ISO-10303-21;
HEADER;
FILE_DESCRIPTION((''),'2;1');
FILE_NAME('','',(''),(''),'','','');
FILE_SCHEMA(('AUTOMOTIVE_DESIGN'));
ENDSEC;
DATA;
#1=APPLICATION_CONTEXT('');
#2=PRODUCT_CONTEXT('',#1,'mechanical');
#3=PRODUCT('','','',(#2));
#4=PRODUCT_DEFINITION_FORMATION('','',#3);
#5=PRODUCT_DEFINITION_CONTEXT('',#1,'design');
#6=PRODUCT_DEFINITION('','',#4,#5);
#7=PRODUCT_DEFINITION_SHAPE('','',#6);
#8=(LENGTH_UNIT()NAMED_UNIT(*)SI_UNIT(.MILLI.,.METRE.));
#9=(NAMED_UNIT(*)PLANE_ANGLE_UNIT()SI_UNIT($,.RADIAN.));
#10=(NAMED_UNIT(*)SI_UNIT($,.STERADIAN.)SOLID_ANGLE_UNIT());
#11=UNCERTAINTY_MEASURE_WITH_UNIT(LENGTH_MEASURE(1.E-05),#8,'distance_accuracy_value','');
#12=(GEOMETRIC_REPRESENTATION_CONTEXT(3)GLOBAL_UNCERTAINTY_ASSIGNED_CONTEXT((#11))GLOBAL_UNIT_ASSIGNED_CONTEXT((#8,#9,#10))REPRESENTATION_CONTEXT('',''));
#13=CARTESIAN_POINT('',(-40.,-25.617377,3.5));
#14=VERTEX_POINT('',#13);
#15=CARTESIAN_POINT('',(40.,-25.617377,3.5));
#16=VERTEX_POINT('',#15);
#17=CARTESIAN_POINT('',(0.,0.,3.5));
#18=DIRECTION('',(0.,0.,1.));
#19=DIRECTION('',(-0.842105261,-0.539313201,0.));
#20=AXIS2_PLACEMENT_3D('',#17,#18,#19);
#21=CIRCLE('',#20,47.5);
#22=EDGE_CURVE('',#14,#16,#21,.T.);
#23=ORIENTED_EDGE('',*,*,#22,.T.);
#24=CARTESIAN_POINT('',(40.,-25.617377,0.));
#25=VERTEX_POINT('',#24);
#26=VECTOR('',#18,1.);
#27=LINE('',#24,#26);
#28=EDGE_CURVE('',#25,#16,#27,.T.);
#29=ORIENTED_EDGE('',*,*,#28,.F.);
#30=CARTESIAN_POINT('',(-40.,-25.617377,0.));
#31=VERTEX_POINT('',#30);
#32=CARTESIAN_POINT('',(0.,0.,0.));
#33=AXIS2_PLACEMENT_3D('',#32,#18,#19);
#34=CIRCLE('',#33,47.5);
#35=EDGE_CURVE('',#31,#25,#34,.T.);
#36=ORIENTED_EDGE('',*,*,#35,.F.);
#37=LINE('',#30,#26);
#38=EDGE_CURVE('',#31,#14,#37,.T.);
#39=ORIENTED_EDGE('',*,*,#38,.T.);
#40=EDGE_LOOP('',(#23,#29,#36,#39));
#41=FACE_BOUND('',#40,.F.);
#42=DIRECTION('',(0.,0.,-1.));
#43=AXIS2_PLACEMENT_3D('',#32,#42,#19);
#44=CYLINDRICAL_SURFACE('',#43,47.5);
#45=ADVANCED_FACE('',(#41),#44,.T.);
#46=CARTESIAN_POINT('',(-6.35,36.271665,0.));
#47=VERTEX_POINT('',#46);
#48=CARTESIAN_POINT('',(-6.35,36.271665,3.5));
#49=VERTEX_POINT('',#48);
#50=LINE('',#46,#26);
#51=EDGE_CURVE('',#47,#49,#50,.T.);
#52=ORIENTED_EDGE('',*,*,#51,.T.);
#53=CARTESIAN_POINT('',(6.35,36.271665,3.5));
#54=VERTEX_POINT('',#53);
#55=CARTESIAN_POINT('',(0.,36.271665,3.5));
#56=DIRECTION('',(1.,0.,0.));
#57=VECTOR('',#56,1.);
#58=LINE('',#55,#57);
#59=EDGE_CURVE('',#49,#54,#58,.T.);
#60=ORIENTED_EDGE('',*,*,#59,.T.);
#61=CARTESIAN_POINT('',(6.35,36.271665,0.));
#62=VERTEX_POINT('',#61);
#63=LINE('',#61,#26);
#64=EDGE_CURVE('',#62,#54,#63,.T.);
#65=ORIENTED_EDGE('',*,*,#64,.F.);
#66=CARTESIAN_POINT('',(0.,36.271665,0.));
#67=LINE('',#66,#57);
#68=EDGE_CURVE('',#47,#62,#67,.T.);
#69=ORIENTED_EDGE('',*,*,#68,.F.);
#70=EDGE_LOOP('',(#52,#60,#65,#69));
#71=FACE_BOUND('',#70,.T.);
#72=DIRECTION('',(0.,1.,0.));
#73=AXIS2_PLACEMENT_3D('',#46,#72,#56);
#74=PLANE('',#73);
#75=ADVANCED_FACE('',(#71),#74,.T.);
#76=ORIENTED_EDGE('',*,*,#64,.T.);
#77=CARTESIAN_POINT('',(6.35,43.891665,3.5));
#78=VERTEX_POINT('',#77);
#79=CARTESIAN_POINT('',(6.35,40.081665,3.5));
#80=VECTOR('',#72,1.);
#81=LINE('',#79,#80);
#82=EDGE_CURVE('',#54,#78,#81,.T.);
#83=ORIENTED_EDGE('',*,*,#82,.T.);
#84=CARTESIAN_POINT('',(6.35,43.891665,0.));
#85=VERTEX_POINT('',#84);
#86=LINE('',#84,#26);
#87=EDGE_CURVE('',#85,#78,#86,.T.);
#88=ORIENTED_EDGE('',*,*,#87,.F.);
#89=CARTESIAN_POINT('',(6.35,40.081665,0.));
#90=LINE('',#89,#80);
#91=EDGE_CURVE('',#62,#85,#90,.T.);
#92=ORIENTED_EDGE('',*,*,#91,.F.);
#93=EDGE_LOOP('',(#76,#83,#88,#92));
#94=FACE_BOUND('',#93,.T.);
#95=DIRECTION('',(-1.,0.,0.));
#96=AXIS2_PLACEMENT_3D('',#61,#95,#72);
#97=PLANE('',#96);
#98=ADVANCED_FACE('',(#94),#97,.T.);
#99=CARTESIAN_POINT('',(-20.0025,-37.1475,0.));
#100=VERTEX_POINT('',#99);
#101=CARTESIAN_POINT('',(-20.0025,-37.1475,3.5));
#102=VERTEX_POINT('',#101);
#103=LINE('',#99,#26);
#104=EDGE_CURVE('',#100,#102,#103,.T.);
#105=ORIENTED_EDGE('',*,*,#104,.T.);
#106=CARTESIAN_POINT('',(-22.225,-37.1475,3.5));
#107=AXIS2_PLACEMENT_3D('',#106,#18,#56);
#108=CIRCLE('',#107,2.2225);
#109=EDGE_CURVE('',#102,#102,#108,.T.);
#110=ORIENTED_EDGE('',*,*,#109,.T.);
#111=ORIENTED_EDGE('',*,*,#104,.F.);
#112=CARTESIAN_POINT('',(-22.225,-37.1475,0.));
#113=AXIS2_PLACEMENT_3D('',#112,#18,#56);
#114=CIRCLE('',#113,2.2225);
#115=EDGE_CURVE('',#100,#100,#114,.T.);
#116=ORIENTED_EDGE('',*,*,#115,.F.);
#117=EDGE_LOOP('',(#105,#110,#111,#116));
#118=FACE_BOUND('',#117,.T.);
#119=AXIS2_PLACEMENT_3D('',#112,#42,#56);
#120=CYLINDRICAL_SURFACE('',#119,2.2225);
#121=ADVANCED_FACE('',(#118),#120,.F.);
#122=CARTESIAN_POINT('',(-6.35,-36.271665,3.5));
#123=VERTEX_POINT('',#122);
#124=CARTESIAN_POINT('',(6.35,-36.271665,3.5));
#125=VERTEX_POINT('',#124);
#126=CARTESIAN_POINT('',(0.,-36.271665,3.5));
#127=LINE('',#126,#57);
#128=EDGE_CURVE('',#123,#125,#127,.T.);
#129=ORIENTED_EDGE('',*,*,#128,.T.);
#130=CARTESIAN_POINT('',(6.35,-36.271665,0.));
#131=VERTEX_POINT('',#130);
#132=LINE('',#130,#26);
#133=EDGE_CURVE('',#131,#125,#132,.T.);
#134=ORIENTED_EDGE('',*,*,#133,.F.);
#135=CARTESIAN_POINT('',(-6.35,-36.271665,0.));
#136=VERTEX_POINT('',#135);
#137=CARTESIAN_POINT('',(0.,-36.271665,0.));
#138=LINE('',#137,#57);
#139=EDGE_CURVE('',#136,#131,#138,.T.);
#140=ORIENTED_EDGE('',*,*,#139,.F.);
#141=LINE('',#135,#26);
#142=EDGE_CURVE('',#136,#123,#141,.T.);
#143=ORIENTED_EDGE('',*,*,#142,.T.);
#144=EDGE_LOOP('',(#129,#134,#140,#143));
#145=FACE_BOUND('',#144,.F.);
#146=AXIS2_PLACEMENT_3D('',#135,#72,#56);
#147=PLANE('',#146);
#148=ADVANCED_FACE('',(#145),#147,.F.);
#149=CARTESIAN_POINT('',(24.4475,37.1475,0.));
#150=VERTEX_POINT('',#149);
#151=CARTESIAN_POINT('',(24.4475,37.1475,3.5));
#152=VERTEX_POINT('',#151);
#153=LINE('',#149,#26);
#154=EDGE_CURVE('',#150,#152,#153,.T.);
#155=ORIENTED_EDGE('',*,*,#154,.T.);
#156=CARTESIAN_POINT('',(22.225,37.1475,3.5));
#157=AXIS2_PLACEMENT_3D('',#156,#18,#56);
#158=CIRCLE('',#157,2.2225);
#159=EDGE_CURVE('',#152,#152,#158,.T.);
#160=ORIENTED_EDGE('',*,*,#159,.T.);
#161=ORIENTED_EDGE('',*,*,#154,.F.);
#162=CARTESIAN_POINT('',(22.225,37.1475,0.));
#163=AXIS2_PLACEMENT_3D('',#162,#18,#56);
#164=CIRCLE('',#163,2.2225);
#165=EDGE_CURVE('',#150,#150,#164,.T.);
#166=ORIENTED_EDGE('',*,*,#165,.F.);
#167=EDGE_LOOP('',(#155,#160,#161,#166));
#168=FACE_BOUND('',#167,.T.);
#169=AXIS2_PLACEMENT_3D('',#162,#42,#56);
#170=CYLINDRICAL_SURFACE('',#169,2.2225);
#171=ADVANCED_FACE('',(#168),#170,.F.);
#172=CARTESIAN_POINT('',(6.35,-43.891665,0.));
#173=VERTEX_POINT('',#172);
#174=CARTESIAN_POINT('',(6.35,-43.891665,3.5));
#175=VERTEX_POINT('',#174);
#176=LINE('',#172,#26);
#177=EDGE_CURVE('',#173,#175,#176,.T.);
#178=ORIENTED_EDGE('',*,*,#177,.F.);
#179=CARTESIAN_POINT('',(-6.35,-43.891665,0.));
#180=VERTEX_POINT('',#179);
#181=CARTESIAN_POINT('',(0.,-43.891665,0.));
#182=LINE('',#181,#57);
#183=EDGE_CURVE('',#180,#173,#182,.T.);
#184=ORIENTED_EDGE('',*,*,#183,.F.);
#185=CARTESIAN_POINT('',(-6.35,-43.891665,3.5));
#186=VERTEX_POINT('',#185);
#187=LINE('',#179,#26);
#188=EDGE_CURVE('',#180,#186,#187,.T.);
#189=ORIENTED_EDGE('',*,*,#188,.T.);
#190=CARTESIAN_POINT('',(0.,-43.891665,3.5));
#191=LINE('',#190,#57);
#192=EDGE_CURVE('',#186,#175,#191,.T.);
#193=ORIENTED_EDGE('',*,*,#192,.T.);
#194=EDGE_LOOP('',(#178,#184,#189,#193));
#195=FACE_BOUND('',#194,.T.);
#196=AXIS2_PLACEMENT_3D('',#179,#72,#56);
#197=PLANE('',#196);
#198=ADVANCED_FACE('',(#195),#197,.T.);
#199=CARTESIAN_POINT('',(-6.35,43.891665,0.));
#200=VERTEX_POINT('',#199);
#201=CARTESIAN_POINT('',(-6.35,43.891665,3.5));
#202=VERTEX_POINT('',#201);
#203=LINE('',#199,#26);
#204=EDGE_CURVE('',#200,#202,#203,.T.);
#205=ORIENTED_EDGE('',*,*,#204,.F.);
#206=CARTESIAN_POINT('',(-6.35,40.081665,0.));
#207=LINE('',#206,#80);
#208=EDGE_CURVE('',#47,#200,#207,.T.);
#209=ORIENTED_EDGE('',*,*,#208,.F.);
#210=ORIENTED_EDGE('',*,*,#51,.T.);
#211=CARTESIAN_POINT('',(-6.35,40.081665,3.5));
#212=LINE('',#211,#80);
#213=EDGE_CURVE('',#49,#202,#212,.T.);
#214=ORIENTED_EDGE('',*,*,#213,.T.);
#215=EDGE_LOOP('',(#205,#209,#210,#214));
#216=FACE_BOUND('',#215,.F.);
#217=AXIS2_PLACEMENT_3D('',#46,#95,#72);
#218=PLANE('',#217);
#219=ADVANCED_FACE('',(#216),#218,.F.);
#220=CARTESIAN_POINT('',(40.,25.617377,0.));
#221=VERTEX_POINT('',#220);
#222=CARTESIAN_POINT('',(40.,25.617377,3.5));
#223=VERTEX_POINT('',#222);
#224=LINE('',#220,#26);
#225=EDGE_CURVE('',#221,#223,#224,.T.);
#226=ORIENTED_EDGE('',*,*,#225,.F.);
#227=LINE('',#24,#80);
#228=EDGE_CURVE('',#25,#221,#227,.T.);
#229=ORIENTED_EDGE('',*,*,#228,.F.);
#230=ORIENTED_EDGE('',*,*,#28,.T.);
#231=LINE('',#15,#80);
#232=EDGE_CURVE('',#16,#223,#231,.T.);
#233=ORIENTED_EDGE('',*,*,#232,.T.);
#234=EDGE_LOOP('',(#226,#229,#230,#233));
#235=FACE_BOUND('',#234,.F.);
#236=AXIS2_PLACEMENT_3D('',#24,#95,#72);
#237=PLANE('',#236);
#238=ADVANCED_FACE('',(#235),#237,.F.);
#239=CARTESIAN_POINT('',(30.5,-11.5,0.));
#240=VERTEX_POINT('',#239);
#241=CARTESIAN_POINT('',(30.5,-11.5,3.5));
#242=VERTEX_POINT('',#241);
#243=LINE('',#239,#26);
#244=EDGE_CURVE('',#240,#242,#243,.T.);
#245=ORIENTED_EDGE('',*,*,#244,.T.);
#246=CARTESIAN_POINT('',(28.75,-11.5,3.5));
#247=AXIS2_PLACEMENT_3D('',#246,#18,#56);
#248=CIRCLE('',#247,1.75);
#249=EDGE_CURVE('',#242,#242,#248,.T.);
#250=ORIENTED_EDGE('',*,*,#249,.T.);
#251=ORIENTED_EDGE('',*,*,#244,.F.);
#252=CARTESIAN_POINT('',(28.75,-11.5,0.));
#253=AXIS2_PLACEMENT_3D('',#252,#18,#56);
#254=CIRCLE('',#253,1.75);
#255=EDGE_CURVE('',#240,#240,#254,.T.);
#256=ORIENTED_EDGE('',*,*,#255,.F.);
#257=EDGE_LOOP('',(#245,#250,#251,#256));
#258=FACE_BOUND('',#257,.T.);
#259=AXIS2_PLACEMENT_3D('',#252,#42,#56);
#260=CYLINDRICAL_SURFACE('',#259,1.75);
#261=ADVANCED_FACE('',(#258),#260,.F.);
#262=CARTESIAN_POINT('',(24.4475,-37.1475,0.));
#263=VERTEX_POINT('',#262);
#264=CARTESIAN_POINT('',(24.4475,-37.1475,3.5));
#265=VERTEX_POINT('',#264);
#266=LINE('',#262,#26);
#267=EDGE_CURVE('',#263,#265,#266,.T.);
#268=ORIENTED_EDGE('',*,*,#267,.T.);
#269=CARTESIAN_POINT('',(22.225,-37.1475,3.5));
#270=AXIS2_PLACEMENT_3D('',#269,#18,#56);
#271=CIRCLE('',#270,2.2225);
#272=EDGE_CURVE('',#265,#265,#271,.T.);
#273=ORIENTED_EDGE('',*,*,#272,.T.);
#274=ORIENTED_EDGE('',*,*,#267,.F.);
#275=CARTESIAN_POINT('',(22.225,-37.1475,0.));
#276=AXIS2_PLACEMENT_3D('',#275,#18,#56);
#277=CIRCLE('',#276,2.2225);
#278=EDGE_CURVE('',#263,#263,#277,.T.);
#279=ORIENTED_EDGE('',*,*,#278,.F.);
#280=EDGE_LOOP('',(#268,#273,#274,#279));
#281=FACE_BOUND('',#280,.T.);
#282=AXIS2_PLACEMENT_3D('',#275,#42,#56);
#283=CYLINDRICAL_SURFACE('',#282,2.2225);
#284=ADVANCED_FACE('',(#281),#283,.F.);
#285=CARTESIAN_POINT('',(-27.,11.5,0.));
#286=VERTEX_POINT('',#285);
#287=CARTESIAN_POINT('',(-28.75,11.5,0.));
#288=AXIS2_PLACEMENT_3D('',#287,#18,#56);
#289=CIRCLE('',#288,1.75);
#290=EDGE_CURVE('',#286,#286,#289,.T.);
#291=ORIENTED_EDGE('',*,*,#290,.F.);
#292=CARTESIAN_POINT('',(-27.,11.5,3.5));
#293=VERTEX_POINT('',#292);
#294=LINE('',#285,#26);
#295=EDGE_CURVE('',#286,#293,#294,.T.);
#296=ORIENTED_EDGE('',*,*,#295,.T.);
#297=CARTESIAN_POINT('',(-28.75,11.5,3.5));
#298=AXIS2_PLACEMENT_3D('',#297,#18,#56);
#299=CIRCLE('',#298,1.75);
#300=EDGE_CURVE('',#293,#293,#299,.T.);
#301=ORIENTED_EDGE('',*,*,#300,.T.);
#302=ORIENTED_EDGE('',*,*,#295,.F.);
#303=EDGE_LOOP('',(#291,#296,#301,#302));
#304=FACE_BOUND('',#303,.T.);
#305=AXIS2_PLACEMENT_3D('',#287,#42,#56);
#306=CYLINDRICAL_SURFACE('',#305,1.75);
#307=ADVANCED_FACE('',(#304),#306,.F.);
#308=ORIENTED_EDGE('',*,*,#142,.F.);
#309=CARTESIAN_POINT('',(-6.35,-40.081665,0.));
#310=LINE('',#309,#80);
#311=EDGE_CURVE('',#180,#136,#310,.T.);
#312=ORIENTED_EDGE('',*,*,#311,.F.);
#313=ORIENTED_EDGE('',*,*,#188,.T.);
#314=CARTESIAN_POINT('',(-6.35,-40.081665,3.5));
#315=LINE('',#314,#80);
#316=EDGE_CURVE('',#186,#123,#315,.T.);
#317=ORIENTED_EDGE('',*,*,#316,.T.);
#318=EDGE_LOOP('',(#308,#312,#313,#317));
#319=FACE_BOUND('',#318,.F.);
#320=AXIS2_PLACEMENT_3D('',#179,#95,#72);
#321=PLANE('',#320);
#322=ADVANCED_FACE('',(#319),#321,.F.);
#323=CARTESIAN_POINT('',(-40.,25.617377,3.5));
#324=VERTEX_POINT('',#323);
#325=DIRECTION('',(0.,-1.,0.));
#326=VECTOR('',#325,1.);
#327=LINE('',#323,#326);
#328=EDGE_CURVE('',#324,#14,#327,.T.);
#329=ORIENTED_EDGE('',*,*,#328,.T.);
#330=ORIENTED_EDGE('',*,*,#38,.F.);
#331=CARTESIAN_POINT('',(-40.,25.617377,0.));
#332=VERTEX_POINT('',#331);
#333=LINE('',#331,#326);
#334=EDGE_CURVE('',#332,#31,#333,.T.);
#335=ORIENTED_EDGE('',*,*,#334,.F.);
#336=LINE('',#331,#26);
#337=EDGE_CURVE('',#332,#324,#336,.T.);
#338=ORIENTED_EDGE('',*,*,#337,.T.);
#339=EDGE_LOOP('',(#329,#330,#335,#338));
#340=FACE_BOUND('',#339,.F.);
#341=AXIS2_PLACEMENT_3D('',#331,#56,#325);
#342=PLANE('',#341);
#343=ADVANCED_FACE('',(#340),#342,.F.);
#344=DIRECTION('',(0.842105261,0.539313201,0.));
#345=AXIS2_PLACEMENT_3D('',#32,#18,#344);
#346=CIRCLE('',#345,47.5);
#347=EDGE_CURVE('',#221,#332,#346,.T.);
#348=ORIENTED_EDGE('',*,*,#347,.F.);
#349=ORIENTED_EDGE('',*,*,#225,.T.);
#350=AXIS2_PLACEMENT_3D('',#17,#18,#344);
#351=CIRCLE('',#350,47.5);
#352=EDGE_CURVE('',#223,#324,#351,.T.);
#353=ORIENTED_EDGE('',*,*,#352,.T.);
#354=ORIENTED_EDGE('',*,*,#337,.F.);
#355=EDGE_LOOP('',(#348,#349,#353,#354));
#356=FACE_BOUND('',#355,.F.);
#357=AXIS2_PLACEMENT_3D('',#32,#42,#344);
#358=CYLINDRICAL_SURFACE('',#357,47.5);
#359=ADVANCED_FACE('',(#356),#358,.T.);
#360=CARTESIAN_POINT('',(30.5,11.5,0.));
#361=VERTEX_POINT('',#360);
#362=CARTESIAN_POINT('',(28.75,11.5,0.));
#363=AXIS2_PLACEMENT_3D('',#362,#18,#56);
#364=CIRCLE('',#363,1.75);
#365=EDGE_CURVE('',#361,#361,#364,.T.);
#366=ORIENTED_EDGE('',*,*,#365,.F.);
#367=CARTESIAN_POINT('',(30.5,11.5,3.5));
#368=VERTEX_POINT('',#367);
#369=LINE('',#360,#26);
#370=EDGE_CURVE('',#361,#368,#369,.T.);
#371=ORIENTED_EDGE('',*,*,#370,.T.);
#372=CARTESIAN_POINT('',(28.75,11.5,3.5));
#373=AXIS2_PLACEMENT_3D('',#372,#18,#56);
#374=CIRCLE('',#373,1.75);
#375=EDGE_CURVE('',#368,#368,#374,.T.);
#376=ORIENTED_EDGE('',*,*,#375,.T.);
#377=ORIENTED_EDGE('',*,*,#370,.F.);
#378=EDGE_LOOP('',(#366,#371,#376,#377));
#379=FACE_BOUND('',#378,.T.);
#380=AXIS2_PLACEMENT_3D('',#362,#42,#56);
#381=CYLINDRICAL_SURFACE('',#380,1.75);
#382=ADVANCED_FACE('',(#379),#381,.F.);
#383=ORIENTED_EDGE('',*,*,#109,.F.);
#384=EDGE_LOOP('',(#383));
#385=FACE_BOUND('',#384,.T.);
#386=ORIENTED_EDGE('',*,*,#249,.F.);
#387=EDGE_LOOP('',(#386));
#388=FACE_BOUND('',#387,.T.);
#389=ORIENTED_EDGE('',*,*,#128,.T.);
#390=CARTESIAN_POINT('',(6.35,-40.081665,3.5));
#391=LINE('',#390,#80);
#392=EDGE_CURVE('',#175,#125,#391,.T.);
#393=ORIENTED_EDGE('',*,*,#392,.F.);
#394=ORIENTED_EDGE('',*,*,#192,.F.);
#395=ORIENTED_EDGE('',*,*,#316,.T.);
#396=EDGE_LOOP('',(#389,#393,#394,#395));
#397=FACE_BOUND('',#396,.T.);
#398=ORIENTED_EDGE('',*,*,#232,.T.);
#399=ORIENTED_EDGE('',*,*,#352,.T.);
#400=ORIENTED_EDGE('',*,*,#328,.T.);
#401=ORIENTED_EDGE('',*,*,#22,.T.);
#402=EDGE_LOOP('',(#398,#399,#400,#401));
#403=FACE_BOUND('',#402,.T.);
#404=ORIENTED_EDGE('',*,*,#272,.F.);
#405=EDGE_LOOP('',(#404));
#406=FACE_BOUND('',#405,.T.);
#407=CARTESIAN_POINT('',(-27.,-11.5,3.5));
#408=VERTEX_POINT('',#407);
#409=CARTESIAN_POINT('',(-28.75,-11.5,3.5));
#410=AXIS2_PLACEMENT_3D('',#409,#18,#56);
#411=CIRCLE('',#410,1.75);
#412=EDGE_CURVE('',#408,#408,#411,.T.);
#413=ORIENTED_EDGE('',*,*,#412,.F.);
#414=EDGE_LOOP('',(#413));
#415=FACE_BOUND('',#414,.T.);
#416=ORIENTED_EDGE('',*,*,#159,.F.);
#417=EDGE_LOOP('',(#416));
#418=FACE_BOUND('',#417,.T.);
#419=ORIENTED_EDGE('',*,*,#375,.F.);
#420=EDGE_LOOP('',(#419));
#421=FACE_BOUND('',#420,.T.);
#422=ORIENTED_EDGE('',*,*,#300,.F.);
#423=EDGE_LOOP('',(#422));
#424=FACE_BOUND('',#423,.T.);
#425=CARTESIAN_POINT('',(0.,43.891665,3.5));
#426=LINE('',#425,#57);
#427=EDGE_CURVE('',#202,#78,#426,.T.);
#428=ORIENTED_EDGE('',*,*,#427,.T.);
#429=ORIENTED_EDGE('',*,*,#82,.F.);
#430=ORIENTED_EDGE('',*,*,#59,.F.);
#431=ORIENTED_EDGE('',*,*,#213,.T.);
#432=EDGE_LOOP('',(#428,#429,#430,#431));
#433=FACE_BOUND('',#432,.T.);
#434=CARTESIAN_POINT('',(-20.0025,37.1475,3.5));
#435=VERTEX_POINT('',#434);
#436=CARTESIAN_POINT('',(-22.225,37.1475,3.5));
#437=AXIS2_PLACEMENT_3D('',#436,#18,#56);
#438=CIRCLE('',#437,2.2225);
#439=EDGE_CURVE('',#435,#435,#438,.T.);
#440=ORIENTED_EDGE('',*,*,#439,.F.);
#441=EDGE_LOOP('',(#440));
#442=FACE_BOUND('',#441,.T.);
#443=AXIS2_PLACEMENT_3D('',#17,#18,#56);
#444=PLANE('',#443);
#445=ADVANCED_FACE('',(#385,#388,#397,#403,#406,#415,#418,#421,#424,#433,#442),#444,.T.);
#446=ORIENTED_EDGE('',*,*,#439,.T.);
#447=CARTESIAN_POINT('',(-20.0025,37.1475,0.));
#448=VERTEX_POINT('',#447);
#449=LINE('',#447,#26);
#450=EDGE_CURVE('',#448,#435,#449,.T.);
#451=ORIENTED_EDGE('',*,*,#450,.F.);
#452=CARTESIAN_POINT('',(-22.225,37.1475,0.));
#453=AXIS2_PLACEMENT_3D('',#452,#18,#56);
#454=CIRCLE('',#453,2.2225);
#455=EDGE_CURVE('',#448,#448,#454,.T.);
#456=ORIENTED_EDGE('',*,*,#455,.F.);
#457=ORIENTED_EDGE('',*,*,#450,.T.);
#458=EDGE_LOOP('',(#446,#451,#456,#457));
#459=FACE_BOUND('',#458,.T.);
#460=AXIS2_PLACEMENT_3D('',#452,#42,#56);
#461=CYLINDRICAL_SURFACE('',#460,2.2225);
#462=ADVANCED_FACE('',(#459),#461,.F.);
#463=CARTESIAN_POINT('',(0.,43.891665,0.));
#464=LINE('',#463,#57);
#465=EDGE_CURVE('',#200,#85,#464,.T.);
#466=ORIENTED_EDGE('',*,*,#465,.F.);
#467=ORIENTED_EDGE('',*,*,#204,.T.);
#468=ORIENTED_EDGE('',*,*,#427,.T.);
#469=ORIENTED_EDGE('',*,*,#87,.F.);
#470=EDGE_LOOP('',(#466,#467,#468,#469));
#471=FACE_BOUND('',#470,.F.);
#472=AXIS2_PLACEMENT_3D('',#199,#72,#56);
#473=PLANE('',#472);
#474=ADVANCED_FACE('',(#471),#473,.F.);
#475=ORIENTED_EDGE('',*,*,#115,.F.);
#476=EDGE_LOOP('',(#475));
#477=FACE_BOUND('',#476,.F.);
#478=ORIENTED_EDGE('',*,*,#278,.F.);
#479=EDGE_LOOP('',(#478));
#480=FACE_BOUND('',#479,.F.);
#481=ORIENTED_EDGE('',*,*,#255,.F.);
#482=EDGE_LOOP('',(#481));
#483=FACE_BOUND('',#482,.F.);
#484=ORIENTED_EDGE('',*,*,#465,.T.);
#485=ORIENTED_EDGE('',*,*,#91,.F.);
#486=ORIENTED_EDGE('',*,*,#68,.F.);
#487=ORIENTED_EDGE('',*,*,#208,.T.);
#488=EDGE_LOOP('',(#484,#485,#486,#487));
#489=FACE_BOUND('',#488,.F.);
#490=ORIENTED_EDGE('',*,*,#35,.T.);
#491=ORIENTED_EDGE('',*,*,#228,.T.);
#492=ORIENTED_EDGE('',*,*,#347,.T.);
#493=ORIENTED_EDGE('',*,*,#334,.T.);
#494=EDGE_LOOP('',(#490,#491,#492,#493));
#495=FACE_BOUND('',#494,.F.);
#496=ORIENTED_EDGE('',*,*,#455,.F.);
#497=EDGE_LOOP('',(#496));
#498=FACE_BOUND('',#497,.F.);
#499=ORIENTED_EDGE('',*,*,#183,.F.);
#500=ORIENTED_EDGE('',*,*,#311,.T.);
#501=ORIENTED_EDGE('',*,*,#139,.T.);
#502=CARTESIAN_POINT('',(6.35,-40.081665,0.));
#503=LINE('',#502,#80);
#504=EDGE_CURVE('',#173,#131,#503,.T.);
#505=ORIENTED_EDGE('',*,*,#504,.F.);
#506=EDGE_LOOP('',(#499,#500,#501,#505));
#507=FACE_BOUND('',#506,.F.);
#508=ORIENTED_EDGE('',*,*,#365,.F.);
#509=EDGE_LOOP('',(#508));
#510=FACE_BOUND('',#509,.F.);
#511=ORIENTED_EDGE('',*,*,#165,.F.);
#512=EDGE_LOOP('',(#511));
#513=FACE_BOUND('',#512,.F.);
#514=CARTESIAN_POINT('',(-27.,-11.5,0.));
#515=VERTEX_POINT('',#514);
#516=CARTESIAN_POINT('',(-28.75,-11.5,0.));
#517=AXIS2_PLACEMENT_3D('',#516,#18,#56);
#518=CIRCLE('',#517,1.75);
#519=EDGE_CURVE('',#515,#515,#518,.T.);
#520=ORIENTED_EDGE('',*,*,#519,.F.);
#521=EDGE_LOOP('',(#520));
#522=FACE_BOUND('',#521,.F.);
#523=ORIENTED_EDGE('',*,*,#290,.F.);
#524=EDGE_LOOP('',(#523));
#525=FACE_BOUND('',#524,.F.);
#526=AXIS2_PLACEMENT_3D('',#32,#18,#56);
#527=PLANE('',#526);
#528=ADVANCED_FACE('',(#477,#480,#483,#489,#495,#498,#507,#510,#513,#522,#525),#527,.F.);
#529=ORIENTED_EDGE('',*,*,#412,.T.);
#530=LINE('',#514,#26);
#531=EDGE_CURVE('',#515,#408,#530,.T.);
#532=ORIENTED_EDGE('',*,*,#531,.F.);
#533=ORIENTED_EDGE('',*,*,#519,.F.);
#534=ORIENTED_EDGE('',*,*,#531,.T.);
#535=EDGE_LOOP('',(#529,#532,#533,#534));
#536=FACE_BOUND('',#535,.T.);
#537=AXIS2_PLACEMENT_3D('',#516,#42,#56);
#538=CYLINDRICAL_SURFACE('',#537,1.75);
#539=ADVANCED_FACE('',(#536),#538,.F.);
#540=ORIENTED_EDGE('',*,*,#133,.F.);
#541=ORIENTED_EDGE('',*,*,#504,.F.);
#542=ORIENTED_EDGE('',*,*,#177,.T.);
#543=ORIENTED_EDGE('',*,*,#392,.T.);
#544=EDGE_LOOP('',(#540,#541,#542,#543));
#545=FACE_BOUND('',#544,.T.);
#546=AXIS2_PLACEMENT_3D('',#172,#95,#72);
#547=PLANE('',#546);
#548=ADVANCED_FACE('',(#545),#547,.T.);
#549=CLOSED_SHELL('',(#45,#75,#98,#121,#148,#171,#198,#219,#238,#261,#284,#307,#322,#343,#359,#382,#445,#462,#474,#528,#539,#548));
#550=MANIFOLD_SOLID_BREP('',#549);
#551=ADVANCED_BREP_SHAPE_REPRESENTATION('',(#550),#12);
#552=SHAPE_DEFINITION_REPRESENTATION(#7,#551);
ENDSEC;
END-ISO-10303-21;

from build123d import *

# Parameters (mm, degrees)
F0_R     = 2.2225
F0_R_2   = 1.75
F0_W     = 12.7
F0_H     = 7.62
F1_DEPTH = 3.5


with BuildPart() as f1:
    # F0 (on Top) → F1 (new body)
    with BuildSketch(Plane.XY):
        with BuildLine():
            Line((40, -25.617377), (40, 25.617377))
            ThreePointArc((40, 25.617377), (0, 47.5), (-40, 25.617377))
            Line((-40, 25.617377), (-40, -25.617377))
            ThreePointArc((-40, -25.617377), (0, -47.5), (40, -25.617377))
        make_face()
        with Locations((-22.225, -37.1475)):
            Circle(F0_R, mode=Mode.SUBTRACT)
        with Locations((-28.75, -11.5)):
            Circle(F0_R_2, mode=Mode.SUBTRACT)
        with Locations((0, -40.081665)):
            Rectangle(F0_W, F0_H, mode=Mode.SUBTRACT)
        with Locations((22.225, -37.1475)):
            Circle(F0_R, mode=Mode.SUBTRACT)
        with Locations((28.75, -11.5)):
            Circle(F0_R_2, mode=Mode.SUBTRACT)
        with Locations((-28.75, 11.5)):
            Circle(F0_R_2, mode=Mode.SUBTRACT)
        with Locations((-22.225, 37.1475)):
            Circle(F0_R, mode=Mode.SUBTRACT)
        with Locations((28.75, 11.5)):
            Circle(F0_R_2, mode=Mode.SUBTRACT)
        with Locations((0, 40.081665)):
            Rectangle(F0_W, F0_H, mode=Mode.SUBTRACT)
        with Locations((22.225, 37.1475)):
            Circle(F0_R, mode=Mode.SUBTRACT)
    extrude(amount=F1_DEPTH)


solid = f1.part
